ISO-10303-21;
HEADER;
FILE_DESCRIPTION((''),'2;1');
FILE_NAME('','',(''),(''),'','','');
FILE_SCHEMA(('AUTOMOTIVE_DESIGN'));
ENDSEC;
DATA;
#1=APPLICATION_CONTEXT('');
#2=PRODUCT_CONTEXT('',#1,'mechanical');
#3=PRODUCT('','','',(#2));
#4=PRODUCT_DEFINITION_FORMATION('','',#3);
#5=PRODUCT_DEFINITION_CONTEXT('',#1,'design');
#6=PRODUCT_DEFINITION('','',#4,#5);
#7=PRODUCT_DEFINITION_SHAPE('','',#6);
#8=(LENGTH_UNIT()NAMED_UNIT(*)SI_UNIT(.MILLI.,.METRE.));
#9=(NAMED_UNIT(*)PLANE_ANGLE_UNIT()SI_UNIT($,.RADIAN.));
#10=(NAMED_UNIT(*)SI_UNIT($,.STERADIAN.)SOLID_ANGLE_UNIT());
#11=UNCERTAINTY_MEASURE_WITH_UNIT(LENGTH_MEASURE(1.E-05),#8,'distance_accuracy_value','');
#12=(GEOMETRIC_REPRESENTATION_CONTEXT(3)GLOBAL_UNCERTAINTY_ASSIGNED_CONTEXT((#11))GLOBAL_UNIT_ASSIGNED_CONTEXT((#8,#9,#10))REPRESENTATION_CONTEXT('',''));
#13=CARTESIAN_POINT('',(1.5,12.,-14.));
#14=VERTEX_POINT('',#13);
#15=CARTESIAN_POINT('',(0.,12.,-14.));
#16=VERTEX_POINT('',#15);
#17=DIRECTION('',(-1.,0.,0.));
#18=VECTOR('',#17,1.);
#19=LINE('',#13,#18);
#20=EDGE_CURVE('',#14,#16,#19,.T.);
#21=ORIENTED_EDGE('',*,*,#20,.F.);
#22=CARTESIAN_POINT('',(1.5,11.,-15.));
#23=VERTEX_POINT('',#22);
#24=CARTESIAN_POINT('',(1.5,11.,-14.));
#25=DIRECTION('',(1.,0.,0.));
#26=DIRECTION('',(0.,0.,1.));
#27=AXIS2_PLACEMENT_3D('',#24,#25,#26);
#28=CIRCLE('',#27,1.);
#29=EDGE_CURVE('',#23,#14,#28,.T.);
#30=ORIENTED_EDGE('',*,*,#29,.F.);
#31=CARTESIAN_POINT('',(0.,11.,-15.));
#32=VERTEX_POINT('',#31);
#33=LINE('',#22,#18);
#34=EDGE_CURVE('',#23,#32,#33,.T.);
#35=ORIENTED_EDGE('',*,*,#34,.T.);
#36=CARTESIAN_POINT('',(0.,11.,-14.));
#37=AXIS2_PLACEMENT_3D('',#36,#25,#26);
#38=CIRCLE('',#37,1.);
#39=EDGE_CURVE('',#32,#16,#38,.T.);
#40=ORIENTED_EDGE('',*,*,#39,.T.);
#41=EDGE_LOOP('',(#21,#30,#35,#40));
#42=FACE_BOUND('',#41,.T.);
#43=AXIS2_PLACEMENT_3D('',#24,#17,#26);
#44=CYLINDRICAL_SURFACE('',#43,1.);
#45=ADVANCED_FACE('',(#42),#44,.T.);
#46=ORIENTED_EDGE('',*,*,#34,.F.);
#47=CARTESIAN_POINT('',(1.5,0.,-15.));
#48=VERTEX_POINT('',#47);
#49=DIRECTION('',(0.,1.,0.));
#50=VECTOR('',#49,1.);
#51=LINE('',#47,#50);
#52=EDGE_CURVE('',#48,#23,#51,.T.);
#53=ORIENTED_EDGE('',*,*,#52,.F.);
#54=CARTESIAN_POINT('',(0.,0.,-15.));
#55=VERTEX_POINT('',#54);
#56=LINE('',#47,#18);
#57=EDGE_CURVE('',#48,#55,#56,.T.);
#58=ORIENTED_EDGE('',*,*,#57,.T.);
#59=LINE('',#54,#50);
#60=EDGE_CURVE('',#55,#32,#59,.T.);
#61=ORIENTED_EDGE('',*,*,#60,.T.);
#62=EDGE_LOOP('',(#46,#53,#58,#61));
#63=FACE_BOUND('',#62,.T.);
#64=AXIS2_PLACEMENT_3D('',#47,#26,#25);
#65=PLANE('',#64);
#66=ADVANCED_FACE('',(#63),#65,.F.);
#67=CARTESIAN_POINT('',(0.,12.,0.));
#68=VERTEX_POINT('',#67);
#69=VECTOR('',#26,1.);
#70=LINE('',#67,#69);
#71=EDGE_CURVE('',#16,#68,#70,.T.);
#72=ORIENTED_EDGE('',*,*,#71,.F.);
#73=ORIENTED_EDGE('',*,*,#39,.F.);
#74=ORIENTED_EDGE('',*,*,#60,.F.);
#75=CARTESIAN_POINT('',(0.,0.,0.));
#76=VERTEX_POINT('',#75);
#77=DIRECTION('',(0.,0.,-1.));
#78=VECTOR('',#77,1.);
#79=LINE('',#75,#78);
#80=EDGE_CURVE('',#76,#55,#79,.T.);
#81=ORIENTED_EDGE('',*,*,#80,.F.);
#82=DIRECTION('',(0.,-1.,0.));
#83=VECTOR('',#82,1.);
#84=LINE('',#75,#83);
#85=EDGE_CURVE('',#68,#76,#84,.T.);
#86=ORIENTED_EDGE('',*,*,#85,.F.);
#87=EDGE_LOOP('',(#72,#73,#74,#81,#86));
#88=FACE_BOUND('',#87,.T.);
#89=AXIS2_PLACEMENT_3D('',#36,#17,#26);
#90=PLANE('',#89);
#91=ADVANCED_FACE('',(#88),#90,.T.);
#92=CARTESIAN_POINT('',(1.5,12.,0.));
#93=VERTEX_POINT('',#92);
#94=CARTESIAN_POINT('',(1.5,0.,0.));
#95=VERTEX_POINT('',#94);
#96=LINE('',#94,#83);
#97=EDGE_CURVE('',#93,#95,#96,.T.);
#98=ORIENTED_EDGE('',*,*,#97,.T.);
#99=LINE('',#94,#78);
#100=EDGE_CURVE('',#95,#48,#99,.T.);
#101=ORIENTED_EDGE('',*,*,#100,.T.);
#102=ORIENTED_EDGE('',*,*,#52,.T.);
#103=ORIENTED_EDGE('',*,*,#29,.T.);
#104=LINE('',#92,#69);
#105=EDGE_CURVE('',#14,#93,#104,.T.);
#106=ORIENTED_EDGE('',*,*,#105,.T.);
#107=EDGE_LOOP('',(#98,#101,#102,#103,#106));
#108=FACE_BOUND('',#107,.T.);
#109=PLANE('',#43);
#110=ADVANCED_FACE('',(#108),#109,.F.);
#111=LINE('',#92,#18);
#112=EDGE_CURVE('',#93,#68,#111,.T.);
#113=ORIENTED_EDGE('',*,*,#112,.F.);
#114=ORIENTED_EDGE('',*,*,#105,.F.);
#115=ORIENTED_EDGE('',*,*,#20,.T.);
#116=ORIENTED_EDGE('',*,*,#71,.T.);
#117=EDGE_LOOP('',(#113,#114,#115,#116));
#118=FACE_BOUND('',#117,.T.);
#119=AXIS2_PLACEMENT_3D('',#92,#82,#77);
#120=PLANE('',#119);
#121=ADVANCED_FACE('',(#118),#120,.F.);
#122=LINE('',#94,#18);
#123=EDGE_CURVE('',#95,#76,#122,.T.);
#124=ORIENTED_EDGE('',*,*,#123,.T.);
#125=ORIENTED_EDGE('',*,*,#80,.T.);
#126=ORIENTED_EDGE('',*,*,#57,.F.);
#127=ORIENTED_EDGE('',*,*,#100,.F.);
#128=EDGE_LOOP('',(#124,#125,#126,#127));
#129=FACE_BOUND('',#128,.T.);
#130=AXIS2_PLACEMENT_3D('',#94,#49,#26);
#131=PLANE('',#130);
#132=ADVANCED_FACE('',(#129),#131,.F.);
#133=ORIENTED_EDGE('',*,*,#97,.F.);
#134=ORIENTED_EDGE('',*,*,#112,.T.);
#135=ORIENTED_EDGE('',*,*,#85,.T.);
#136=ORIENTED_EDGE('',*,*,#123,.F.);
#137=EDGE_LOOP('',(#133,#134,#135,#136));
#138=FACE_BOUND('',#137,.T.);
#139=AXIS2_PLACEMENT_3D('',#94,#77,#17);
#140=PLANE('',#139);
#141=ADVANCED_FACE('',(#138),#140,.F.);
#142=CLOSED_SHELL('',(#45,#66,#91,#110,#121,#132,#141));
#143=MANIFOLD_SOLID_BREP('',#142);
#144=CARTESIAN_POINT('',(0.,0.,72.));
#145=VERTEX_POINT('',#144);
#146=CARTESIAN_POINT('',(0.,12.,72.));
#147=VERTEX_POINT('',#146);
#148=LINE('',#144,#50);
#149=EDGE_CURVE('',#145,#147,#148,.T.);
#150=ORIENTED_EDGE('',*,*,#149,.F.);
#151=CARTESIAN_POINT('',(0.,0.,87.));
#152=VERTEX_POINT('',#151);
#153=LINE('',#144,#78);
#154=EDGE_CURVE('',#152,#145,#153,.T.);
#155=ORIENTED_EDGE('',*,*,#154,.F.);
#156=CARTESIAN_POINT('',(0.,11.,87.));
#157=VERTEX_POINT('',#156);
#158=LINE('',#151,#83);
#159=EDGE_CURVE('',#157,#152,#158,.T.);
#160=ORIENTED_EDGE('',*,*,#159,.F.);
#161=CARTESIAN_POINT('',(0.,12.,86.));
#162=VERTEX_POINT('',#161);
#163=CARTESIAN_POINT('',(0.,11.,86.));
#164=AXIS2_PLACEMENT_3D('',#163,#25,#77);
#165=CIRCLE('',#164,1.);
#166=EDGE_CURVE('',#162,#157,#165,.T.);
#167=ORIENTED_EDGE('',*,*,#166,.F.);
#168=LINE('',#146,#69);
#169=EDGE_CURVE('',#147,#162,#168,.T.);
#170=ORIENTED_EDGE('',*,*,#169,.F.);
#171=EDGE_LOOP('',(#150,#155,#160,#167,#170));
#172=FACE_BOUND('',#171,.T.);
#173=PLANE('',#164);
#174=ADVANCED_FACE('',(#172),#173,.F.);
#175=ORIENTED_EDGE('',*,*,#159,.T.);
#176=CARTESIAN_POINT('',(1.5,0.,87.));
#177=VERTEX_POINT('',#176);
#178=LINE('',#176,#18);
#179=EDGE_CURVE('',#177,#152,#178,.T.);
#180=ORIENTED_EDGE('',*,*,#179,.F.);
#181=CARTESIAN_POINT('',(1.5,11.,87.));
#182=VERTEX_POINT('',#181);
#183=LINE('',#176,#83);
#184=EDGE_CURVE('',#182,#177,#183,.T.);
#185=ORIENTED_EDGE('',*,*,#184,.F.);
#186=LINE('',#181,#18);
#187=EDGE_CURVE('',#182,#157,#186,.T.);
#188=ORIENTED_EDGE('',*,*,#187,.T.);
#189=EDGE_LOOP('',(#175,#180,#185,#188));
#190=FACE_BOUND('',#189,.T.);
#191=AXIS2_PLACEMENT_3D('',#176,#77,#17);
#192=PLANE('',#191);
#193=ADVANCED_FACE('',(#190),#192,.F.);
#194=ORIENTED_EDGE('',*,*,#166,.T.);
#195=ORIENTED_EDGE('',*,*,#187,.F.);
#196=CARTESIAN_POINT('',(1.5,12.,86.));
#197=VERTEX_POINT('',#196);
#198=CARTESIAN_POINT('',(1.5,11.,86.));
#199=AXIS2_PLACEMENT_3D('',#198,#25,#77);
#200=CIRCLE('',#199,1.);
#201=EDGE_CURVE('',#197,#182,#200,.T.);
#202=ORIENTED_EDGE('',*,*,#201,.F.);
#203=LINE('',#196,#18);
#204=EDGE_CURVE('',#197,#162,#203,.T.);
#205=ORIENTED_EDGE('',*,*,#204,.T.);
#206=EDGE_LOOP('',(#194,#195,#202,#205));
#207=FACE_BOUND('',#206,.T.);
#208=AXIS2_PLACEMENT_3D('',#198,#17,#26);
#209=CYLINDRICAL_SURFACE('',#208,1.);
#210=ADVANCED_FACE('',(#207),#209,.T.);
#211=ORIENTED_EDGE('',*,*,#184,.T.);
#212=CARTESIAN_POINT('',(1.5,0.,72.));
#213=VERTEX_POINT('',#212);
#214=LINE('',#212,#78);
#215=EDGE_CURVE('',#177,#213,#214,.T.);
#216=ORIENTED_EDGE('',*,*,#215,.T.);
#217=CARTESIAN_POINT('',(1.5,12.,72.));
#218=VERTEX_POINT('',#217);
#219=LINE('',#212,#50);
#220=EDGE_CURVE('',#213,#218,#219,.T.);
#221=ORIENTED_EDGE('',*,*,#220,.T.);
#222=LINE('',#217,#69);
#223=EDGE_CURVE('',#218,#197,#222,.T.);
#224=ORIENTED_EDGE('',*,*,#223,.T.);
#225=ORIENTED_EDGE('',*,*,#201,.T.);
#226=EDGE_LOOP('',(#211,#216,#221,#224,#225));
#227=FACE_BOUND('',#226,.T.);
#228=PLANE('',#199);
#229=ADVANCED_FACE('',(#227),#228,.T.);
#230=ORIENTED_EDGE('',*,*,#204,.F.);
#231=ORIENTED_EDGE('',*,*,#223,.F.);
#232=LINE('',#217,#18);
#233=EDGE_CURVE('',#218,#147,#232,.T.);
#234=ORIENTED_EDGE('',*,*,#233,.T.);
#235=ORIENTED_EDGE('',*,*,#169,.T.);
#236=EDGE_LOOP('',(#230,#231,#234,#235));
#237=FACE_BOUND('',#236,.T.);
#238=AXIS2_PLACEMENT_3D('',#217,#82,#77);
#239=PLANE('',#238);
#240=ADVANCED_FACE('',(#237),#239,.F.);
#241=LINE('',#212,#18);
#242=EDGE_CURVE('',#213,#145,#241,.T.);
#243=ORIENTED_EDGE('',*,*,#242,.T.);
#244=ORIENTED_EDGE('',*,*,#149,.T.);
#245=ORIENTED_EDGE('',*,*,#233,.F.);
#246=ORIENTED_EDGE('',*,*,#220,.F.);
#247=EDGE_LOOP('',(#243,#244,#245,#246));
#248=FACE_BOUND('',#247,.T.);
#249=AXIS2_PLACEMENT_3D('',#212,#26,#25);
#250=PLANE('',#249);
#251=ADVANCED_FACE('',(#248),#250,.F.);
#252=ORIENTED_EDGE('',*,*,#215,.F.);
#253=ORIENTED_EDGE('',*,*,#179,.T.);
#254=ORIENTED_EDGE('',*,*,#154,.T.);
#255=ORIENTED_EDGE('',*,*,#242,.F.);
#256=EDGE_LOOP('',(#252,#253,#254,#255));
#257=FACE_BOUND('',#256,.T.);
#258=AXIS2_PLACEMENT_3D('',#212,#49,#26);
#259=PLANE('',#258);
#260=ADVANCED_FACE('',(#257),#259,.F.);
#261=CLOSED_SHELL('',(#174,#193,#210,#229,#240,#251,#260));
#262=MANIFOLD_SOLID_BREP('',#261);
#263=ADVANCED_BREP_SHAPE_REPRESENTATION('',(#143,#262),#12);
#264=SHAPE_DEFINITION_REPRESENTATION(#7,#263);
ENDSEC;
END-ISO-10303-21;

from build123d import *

# Parameters (mm, degrees)
BOSS_EXTRUDE1_DEPTH   = 1.5
BOSS_EXTRUDE1_2_DEPTH = 1.5


with BuildPart() as part:
    # Sketch1 → Boss-Extrude1 (new body)
    with BuildSketch(Plane(origin=(0, 0, 0), x_dir=(0, 0, -1), z_dir=(1, 0, 0))):
        with BuildLine():
            Line((0, 0), (15, 0))
            Line((15, 0), (15, 11))
            ThreePointArc((15, 11), (14.707106781, 11.707106781), (14, 12))
            Line((14, 12), (0, 12))
            Line((0, 12), (0, 0))
        make_face()
    extrude(amount=BOSS_EXTRUDE1_DEPTH)


with BuildPart() as body_2:
    # Sketch1 → Boss-Extrude1 2 (new body)
    with BuildSketch(Plane(origin=(0, 0, 0), x_dir=(0, 0, -1), z_dir=(1, 0, 0))):
        with BuildLine():
            Line((-87, 0), (-87, 11))
            ThreePointArc((-87, 11), (-86.707106781, 11.707106781), (-86, 12))
            Line((-86, 12), (-72, 12))
            Line((-72, 12), (-72, 0))
            Line((-72, 0), (-87, 0))
        make_face()
    extrude(amount=BOSS_EXTRUDE1_2_DEPTH)


solid = Compound([part.part, body_2.part])
